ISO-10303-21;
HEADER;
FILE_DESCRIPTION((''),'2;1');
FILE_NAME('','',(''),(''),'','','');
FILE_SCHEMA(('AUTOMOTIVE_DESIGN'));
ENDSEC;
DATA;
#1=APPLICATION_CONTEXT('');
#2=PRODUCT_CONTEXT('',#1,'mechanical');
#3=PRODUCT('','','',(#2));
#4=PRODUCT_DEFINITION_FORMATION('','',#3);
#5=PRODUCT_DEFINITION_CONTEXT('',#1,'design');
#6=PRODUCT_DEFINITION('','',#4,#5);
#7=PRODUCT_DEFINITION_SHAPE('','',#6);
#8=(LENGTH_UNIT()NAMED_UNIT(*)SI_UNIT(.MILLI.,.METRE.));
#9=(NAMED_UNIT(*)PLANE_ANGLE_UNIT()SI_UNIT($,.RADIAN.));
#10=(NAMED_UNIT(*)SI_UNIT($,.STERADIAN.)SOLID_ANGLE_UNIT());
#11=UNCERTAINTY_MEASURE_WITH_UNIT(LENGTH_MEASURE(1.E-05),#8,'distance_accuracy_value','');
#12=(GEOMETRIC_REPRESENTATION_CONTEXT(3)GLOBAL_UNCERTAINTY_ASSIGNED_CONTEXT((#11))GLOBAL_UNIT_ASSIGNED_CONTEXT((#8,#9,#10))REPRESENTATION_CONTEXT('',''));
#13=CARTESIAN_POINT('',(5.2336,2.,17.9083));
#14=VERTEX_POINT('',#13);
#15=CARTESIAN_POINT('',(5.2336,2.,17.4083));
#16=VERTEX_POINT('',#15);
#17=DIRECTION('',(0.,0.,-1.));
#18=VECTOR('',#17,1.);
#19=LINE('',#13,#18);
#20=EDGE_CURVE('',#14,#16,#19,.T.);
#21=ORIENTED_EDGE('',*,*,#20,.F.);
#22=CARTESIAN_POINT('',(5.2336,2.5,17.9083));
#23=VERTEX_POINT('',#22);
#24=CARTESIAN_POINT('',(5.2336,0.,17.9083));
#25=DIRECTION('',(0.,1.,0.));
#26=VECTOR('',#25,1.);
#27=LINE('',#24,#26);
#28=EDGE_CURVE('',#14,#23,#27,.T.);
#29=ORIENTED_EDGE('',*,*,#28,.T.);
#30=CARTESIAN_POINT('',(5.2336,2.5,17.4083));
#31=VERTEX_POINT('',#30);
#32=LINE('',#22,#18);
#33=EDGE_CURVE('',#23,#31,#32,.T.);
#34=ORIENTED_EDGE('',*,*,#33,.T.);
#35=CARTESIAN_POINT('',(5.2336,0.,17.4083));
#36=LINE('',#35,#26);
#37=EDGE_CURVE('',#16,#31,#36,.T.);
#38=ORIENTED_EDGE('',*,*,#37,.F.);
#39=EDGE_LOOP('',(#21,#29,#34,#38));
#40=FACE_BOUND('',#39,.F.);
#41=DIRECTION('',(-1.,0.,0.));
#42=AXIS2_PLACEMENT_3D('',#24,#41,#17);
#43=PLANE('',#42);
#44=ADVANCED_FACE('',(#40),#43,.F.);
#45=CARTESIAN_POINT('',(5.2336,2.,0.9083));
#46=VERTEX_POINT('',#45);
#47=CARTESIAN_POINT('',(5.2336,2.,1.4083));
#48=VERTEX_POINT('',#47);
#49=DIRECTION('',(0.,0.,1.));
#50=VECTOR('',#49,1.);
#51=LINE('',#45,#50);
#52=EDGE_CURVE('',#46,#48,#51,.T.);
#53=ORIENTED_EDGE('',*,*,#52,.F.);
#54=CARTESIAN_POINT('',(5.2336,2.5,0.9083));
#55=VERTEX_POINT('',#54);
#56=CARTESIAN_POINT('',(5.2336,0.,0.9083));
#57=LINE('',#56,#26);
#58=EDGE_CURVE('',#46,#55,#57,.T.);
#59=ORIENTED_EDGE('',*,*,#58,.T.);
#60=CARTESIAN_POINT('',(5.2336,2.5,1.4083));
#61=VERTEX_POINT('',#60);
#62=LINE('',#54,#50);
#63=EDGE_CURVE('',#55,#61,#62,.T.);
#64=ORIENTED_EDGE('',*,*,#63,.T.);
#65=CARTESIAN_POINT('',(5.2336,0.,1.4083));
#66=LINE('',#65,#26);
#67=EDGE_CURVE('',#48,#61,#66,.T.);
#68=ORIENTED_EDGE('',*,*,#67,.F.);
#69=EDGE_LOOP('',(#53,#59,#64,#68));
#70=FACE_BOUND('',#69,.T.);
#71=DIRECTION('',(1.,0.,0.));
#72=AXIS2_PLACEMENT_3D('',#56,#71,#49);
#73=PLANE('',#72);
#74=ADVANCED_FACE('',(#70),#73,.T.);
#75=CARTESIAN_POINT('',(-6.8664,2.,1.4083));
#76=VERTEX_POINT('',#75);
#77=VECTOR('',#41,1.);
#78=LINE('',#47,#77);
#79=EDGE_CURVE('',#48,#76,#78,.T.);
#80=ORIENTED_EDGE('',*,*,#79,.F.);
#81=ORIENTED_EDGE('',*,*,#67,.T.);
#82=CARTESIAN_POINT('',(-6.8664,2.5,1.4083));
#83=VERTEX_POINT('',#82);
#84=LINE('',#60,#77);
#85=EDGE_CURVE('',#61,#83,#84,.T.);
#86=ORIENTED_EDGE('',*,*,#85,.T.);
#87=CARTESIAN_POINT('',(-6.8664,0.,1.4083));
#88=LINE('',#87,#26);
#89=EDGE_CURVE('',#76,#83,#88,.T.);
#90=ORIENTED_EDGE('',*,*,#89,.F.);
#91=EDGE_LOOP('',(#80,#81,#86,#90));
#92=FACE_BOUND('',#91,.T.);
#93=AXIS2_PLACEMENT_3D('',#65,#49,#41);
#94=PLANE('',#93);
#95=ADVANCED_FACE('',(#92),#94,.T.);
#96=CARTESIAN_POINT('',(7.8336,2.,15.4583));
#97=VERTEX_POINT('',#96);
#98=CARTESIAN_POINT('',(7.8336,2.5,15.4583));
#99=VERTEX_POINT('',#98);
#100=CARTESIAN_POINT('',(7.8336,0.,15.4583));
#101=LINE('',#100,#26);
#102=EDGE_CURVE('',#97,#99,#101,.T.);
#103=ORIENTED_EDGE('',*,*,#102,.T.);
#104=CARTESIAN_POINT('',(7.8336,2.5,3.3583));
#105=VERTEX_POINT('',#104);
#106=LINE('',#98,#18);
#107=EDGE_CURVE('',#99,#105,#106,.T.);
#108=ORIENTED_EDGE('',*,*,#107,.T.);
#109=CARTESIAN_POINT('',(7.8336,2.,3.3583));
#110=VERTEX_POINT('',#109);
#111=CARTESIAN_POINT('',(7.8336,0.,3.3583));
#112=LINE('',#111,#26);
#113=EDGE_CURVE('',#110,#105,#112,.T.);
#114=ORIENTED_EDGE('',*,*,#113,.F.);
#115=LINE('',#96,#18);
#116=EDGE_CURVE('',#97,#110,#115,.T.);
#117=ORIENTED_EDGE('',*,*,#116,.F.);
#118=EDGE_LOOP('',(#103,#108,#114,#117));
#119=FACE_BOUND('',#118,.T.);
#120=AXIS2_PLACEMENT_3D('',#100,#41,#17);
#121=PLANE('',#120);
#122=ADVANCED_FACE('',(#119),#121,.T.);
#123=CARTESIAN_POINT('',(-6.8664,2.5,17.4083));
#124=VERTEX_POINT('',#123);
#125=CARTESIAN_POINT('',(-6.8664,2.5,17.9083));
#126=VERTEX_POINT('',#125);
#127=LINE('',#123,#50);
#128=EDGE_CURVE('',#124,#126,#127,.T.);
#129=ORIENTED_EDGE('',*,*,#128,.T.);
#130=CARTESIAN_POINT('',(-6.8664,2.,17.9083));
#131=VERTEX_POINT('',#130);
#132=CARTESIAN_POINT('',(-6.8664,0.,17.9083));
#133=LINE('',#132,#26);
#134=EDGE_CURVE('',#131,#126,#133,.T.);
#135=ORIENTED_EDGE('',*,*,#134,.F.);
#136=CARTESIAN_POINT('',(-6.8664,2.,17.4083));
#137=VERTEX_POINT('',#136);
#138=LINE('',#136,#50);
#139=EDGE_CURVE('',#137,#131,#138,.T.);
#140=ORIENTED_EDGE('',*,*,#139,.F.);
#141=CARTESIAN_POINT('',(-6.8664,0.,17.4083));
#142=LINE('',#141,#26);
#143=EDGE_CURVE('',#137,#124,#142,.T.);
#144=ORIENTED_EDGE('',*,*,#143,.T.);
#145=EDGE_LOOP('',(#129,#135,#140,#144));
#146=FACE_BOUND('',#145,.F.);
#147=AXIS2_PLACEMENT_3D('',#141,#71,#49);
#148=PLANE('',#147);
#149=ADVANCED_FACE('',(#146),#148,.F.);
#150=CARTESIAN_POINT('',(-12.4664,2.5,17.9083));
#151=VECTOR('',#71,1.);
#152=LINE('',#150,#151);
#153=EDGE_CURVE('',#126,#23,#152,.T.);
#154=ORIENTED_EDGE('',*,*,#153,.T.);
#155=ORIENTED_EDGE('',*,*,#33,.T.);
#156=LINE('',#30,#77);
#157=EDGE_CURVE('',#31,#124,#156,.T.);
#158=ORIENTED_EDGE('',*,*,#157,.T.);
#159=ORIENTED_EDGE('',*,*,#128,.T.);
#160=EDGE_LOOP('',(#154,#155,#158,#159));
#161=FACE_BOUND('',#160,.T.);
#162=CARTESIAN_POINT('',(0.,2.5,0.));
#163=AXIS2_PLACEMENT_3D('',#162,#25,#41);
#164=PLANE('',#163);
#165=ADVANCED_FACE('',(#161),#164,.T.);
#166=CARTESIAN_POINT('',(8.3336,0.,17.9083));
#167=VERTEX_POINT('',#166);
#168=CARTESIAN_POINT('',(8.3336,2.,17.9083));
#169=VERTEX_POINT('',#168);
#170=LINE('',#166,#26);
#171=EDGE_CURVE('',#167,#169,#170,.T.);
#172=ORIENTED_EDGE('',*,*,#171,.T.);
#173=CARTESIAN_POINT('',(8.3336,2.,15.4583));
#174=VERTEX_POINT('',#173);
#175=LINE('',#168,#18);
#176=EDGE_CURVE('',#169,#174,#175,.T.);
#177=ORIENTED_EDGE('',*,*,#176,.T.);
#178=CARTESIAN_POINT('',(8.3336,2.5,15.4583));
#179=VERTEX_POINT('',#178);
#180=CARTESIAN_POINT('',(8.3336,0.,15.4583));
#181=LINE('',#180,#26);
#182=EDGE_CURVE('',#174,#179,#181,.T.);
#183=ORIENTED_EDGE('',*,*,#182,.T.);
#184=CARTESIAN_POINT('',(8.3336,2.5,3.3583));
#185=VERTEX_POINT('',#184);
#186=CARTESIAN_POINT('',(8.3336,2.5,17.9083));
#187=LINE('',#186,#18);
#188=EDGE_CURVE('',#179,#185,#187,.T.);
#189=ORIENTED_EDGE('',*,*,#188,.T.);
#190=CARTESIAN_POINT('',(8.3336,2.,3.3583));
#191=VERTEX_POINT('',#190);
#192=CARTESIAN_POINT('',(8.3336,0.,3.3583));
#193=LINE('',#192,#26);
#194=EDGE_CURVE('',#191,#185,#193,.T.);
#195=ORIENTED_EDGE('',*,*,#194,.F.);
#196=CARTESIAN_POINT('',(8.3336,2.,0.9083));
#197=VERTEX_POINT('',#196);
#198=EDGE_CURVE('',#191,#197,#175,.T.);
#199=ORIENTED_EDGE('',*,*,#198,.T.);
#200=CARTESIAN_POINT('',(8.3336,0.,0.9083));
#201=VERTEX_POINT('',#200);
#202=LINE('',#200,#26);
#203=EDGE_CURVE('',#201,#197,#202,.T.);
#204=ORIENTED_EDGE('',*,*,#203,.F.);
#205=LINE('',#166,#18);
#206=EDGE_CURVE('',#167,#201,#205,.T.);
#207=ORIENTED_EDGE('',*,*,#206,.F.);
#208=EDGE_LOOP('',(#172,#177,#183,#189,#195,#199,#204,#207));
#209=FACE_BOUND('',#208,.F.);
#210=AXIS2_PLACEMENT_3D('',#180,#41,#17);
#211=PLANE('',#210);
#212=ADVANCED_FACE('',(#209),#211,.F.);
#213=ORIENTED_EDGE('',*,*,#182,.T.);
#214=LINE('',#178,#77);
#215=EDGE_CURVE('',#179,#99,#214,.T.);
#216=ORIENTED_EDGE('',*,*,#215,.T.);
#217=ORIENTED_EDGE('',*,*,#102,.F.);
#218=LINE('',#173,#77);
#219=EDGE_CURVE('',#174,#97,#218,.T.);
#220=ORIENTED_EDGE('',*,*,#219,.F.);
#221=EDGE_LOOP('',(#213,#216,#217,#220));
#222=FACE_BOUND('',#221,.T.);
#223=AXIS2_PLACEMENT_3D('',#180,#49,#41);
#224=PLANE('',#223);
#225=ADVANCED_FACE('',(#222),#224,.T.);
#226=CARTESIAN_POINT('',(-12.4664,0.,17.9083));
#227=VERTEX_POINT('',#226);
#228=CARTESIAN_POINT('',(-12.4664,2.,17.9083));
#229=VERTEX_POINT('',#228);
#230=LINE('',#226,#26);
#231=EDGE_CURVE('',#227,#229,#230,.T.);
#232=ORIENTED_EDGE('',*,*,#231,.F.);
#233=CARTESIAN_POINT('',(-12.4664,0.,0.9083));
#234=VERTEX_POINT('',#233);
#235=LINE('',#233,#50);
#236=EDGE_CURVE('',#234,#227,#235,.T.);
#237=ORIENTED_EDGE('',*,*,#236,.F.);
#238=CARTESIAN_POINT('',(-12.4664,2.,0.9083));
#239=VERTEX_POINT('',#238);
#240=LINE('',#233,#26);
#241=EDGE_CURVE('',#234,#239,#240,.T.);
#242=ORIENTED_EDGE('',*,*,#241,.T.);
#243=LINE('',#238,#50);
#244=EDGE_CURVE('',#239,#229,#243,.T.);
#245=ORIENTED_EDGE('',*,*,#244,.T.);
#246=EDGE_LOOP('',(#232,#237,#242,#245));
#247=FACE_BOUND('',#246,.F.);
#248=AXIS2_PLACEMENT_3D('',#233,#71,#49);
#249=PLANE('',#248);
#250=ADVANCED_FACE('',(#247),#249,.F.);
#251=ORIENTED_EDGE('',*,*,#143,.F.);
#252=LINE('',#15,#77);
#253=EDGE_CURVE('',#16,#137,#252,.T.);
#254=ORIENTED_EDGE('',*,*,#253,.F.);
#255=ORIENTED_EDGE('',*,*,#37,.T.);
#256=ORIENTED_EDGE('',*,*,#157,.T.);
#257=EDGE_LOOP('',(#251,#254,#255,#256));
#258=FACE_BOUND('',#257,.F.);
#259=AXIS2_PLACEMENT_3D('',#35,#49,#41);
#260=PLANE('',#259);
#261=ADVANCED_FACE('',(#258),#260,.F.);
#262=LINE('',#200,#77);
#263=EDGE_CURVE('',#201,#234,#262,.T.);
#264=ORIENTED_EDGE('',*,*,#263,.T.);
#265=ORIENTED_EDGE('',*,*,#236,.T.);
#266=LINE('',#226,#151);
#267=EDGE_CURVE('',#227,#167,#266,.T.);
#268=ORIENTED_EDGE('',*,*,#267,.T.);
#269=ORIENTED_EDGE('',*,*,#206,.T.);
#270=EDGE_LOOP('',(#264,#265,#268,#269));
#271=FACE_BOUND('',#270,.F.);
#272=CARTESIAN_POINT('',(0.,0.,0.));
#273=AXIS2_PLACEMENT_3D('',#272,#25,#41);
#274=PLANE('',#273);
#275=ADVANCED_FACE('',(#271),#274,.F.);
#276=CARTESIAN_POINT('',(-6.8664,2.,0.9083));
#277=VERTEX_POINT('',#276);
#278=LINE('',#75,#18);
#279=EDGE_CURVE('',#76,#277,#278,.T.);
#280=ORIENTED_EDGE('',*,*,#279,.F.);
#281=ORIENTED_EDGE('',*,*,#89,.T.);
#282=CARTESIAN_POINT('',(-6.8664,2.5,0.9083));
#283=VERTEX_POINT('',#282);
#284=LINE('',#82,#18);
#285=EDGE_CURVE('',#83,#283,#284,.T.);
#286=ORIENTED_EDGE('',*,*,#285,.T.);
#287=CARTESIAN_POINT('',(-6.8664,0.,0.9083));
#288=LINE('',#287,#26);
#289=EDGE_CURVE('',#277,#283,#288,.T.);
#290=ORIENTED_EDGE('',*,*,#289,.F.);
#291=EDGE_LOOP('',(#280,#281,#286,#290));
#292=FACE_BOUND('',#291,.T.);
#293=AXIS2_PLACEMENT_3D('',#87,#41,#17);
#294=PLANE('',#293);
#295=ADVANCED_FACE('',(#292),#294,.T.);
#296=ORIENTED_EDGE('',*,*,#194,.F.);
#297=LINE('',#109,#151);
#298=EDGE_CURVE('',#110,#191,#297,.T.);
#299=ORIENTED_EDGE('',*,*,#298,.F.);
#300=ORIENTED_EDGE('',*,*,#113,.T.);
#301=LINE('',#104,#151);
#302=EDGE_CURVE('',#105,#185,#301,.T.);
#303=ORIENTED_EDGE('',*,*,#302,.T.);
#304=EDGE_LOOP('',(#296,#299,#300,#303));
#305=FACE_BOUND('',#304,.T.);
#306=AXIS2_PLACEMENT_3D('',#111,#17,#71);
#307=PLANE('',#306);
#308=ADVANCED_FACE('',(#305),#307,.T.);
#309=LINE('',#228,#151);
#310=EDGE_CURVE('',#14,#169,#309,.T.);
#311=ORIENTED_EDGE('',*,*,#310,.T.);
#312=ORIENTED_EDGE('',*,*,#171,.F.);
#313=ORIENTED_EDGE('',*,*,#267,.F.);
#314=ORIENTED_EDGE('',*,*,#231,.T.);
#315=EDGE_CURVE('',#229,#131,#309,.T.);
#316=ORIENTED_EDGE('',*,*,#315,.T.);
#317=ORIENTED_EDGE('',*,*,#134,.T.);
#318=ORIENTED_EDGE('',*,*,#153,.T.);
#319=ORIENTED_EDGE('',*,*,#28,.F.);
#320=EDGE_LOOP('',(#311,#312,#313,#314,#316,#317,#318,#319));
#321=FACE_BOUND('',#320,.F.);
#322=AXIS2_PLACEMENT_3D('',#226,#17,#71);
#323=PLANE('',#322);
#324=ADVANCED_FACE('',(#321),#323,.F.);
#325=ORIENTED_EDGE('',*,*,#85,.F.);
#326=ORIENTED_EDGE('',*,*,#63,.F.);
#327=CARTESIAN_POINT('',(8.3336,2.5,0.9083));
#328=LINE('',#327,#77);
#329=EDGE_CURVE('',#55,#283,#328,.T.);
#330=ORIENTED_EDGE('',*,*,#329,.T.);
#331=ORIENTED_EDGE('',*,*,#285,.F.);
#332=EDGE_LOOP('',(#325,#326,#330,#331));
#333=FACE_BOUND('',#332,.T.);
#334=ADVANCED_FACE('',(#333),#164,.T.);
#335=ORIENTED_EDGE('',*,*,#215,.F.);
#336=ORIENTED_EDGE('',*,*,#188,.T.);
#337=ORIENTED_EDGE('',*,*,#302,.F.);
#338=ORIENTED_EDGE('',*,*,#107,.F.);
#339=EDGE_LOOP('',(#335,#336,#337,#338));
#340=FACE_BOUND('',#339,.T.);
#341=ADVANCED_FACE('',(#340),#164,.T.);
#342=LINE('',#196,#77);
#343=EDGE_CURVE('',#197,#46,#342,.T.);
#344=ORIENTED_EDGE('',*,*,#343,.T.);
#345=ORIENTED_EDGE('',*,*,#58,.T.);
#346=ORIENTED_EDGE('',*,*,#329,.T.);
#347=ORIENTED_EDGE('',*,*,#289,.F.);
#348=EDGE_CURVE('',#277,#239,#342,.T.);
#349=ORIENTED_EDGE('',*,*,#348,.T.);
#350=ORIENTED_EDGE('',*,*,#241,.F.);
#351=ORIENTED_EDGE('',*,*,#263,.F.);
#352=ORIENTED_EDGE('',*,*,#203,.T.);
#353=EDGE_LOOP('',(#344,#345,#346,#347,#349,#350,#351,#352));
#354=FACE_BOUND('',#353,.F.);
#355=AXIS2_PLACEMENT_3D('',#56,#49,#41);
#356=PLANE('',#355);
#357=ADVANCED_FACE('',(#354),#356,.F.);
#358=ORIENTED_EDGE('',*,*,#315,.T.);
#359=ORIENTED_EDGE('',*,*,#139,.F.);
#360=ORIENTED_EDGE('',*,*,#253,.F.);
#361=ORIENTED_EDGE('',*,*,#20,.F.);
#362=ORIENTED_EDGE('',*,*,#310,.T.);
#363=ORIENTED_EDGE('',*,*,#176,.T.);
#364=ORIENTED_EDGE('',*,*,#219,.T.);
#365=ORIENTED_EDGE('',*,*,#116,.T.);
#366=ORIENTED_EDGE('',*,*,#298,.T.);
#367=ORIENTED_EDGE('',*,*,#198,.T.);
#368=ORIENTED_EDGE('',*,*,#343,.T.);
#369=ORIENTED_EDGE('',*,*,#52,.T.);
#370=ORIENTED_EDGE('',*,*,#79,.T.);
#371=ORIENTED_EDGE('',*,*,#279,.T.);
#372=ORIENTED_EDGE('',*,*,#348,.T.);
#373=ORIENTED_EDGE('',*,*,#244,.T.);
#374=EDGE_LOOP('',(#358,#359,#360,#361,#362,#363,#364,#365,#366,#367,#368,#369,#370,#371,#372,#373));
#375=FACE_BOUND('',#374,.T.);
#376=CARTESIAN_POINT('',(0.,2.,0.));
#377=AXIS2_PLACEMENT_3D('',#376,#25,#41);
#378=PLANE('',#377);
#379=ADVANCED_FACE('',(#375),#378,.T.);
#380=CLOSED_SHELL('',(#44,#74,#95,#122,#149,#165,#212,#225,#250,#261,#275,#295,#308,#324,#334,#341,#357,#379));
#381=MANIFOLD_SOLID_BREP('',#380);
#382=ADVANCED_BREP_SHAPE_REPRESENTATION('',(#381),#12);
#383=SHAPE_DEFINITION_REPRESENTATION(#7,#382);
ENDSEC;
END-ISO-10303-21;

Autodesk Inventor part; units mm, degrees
ref_plane "YZ Plane" through (0, 0, 0) normal (1, 0, 0) x (0, 1, 0)
ref_plane "XZ Plane" through (0, 0, 0) normal (0, 1, 0) x (-1, 0, 0)
ref_plane "XY Plane" through (0, 0, 0) normal (0, 0, 1) x (1, 0, 0)
sketch "Sketch1" plane through (0, 0, 0) normal (0, 1, 0) x (-1, 0, 0)
  line L0 (12.4664, 17.9083) -> (-8.3336, 17.9083)
  line L1 (-8.3336, 17.9083) -> (-8.3336, 0.9083)
  line L2 (-8.3336, 0.9083) -> (12.4664, 0.9083)
  line L3 (12.4664, 0.9083) -> (12.4664, 17.9083)
  line L4 (-8.3336, 15.4583) -> (-7.8336, 15.4583)
  line L5 (-7.8336, 15.4583) -> (-7.8336, 3.3583)
  line L6 (-7.8336, 3.3583) -> (-8.3336, 3.3583)
  line L7 (-8.3336, 3.3583) -> (-8.3336, 15.4583)
  line L8 (6.8664, 17.9083) -> (-5.2336, 17.9083)
  line L9 (-5.2336, 17.9083) -> (-5.2336, 17.4083)
  line L10 (-5.2336, 17.4083) -> (6.8664, 17.4083)
  line L11 (6.8664, 17.4083) -> (6.8664, 17.9083)
  line L12 (6.8664, 0.9083) -> (-5.2336, 0.9083)
  line L13 (-5.2336, 0.9083) -> (-5.2336, 1.4083)
  line L14 (-5.2336, 1.4083) -> (6.8664, 1.4083)
  line L15 (6.8664, 1.4083) -> (6.8664, 0.9083)
  point P0 (0, 0)
  dimension "d0" = 20.8
  dimension "d1" = 17
  dimension "d2" = 0.5
  dimension "d3" = 2.45
  dimension "d4" = 2.45
  dimension "d5" = 3.1
  dimension "d6" = 5.6
  dimension "d7" = 0.5
  dimension "d8" = 0.5
extrude "Extrusion1" add sketch "Sketch1" along normal blind 2 contours L3 L2 L15 L14 L13 L1 L6 L5 L4 L0 L9 L10 L11
extrude "Extrusion2" add sketch "Sketch1" along normal blind 2.5 contours L11 L10 L9 L0
extrude "Extrusion3" add sketch "Sketch1" along normal blind 2.5 contours L4 L5 L6 L1
extrude "Extrusion4" add sketch "Sketch1" along normal blind 2.5 contours L2 L13 L14 L15
equation "\"d4\" = d3"
properties part number "čip"
